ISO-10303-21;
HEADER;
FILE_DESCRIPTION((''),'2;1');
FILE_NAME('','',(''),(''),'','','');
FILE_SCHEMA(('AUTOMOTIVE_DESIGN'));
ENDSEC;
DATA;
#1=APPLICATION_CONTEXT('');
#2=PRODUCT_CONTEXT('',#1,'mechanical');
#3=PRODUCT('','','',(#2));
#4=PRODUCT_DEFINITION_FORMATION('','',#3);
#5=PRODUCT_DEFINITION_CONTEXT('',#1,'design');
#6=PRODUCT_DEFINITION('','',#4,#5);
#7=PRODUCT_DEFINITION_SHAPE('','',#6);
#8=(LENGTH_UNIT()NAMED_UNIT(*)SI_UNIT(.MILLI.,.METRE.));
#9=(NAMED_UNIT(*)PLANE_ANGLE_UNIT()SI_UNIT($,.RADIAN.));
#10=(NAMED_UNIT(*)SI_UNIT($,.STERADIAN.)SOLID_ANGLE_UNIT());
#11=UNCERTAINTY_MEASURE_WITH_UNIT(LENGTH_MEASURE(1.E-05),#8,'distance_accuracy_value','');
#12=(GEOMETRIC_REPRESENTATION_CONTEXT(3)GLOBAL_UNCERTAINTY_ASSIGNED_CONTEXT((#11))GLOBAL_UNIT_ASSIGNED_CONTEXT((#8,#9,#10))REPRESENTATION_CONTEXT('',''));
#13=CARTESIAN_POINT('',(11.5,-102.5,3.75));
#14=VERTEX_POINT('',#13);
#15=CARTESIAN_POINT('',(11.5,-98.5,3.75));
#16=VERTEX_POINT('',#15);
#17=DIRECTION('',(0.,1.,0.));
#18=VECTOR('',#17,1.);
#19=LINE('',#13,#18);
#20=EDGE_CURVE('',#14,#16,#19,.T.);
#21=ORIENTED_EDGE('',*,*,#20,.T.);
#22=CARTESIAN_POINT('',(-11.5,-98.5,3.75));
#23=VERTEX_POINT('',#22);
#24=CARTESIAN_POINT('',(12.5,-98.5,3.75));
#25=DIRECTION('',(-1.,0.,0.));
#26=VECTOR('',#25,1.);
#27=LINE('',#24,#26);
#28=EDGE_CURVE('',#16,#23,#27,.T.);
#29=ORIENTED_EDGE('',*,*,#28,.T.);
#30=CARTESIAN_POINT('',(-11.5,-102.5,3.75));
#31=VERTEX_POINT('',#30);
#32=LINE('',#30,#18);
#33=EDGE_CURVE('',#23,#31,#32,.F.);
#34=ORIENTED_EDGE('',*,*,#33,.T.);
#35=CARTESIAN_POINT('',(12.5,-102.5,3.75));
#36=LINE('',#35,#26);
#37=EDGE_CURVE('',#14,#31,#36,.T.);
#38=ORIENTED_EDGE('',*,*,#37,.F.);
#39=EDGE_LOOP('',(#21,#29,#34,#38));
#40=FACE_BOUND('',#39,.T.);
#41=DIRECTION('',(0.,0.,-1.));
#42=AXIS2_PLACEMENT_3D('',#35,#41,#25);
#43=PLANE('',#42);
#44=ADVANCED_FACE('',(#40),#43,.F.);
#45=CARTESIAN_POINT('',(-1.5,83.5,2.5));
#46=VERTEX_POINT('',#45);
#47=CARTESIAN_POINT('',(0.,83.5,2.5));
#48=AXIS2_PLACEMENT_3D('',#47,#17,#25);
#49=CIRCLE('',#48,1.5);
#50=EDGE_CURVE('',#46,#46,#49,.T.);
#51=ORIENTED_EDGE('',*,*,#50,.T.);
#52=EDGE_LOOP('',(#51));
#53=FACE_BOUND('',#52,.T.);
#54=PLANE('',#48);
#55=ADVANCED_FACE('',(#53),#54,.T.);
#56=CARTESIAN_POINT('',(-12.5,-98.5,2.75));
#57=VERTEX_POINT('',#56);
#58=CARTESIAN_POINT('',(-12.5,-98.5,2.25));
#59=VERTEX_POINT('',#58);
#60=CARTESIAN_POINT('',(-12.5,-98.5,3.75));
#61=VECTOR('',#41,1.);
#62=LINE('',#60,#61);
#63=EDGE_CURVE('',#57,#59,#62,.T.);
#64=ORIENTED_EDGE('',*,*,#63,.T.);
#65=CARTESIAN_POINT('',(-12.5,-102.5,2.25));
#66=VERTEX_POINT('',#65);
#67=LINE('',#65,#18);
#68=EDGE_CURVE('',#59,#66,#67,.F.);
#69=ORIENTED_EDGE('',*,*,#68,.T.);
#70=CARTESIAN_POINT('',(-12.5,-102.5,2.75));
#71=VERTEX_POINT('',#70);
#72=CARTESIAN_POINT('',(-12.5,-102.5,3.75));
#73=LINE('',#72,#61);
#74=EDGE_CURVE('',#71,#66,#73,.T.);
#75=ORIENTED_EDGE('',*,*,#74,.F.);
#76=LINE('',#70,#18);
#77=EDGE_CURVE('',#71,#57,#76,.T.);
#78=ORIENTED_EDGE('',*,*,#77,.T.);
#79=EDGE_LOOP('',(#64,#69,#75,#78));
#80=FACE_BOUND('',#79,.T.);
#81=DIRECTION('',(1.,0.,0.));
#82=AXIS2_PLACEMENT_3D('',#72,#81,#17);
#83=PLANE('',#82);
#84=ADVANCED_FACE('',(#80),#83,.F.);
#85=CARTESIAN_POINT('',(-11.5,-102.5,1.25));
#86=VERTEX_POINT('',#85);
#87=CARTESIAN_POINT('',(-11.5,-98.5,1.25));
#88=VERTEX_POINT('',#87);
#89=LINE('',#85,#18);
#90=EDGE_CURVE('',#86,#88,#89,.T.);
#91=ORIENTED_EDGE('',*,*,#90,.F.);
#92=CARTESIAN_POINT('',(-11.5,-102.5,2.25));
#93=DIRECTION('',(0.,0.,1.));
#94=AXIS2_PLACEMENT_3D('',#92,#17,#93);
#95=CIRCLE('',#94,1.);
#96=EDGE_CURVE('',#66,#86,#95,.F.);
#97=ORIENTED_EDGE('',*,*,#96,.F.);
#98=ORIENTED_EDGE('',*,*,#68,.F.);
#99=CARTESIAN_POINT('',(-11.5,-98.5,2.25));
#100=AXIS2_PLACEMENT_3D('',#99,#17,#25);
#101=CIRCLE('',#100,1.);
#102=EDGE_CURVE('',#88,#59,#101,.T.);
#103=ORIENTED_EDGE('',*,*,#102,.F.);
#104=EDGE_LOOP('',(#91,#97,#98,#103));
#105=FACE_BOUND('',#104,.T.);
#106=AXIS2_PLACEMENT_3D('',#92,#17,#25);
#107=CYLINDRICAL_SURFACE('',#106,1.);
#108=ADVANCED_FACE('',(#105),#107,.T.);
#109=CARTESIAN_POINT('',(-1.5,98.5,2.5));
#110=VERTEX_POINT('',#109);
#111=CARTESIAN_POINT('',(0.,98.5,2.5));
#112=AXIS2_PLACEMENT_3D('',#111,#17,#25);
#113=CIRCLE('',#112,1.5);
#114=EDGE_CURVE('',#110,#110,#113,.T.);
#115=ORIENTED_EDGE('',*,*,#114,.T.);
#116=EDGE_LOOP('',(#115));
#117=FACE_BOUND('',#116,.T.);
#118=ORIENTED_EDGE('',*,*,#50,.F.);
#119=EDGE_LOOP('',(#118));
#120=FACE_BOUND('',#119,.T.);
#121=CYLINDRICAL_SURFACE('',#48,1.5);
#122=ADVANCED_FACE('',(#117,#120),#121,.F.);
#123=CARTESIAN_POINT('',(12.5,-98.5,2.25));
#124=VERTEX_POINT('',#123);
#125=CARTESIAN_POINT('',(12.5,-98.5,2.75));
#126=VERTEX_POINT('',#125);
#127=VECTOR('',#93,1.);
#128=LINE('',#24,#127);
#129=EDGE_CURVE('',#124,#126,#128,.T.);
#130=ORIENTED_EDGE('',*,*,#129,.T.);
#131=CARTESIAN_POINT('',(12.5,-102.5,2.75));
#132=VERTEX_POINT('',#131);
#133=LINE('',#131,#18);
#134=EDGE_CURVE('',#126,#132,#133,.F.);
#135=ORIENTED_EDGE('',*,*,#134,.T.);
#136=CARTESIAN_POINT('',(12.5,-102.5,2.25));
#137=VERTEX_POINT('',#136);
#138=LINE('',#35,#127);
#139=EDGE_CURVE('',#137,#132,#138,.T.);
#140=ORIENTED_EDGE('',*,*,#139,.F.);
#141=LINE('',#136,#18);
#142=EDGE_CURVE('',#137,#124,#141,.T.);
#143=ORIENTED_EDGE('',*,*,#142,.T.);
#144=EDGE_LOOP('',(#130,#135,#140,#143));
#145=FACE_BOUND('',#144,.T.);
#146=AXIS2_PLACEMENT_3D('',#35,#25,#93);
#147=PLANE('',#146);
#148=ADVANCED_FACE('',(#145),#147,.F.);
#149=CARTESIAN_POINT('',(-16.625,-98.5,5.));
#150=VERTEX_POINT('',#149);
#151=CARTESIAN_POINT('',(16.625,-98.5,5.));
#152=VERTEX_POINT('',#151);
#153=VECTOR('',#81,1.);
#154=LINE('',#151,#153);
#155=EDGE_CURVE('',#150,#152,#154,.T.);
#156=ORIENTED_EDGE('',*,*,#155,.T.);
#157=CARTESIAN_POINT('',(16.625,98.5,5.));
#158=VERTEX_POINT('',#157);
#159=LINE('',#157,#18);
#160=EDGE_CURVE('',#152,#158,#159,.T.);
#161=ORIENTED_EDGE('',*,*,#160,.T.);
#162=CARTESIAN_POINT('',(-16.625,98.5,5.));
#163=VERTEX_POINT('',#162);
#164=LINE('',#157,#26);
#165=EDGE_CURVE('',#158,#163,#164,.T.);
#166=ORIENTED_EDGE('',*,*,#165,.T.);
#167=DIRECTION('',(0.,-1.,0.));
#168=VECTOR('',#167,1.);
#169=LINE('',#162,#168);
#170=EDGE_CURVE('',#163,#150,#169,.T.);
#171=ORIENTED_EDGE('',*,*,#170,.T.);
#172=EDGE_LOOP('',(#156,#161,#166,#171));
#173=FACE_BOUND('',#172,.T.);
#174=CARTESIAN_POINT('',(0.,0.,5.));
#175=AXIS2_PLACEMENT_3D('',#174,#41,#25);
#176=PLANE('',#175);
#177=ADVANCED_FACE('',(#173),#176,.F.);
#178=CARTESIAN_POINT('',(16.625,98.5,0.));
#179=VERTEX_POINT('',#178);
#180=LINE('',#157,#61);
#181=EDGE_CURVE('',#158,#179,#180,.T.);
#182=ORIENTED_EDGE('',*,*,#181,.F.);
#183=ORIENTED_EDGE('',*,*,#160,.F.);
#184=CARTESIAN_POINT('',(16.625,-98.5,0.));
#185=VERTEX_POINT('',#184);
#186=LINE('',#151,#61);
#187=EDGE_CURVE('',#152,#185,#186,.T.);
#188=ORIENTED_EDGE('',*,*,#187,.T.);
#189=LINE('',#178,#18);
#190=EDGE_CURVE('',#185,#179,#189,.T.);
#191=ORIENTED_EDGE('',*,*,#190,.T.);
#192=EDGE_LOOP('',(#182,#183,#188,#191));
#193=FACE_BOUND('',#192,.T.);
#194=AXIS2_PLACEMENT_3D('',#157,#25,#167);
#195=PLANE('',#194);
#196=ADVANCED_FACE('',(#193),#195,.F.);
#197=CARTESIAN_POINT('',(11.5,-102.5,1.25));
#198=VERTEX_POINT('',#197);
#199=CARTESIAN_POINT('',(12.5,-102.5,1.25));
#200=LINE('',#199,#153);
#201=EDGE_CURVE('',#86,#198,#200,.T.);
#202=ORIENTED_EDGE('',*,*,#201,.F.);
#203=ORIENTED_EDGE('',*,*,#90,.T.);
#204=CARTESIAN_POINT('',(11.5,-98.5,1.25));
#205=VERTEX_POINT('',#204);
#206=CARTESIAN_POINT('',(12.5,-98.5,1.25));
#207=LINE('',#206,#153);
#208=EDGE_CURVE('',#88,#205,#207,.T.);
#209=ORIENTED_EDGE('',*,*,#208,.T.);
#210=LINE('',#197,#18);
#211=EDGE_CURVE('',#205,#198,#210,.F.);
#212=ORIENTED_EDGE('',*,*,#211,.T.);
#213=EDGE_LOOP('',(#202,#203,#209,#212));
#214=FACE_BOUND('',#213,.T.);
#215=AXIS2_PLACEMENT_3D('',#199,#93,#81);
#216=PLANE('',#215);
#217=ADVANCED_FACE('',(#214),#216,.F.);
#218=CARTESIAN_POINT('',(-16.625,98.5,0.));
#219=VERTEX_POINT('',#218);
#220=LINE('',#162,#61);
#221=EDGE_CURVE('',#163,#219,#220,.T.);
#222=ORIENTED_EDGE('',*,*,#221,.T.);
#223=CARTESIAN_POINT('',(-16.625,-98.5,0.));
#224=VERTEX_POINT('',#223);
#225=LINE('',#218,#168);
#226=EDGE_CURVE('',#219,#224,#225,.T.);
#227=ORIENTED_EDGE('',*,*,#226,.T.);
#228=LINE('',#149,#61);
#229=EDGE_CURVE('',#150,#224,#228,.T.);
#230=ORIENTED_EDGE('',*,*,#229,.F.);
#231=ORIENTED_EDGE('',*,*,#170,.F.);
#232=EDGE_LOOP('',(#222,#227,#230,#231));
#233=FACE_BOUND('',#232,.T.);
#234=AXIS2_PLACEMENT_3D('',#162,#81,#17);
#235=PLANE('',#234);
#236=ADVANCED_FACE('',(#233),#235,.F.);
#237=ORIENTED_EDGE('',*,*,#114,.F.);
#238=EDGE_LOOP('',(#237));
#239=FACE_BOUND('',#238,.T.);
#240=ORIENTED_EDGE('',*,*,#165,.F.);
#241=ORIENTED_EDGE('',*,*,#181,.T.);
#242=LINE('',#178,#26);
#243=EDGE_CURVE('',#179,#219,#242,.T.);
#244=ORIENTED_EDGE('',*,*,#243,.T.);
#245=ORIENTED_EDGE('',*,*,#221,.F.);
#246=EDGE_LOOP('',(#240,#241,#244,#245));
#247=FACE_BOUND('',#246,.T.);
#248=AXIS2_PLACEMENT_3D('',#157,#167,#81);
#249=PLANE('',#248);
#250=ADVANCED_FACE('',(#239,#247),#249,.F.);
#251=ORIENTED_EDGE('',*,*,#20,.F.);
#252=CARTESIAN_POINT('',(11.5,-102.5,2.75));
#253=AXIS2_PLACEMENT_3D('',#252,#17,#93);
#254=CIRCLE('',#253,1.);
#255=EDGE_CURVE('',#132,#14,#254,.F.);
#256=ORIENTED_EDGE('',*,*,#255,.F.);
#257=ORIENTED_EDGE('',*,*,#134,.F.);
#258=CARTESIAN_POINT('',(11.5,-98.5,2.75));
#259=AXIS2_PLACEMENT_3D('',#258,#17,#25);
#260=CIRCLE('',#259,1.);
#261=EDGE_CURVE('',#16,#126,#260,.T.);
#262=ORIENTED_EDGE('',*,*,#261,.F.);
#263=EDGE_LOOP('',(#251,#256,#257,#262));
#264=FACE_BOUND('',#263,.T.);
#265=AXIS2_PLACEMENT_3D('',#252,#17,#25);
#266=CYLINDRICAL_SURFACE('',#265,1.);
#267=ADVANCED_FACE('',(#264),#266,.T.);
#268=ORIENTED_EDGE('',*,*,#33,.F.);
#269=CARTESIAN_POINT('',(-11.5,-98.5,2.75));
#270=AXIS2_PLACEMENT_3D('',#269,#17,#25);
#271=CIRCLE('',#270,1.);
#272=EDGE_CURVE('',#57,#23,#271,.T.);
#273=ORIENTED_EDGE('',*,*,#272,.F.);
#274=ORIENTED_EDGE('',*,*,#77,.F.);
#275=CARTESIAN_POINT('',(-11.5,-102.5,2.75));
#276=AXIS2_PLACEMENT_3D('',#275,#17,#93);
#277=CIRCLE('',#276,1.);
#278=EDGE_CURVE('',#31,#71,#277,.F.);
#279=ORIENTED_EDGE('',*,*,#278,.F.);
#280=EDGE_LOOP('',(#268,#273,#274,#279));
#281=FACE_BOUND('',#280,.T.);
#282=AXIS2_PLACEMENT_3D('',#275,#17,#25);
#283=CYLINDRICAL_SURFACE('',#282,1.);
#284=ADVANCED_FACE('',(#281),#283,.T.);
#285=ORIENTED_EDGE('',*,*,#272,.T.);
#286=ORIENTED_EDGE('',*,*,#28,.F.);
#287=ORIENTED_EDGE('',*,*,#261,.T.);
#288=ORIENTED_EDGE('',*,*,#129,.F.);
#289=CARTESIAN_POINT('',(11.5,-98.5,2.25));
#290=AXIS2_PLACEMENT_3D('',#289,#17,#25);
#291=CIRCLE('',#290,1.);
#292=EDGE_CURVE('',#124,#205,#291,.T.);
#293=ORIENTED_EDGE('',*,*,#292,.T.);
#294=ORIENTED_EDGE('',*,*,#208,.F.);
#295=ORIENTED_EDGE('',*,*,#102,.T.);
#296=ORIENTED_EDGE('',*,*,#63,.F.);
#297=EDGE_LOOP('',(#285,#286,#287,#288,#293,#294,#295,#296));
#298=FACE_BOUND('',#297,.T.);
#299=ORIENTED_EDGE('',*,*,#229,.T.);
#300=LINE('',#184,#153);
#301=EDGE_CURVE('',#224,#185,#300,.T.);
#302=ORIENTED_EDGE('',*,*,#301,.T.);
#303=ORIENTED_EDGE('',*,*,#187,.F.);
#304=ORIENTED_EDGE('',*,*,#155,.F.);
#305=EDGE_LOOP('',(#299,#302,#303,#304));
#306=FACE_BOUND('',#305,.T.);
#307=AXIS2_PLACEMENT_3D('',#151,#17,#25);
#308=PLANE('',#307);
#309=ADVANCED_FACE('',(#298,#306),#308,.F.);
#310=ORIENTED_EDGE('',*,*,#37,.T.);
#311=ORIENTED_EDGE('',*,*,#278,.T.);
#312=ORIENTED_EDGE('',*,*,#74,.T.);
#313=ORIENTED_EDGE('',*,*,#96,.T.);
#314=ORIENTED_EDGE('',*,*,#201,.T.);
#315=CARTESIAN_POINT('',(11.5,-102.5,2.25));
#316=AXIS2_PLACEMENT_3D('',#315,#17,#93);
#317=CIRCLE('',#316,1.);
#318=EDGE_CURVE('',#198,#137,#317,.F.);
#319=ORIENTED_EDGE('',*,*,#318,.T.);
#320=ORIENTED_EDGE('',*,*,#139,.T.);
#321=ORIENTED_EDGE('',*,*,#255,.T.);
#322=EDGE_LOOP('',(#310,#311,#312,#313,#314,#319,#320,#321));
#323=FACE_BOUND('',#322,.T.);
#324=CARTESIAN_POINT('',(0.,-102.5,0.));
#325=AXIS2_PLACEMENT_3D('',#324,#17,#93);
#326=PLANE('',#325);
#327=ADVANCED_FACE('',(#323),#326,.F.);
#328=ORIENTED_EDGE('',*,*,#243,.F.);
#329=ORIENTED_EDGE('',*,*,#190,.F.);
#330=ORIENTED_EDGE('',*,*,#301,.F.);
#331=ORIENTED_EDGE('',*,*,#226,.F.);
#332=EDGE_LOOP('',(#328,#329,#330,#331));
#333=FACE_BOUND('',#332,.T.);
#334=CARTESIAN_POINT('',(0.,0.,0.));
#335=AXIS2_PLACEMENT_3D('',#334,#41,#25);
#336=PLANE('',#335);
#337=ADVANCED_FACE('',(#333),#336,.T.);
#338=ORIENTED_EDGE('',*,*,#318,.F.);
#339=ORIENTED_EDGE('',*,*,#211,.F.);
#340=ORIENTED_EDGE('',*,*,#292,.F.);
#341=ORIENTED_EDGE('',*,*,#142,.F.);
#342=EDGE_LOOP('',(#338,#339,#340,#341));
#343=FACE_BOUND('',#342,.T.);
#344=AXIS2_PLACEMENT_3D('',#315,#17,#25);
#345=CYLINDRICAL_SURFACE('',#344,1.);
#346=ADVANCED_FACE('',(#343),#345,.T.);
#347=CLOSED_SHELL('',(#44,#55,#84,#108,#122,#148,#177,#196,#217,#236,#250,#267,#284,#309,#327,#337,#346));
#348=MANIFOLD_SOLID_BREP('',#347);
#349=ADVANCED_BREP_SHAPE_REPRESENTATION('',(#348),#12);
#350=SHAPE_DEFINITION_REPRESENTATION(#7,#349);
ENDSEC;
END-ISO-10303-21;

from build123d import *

# Parameters (mm, degrees)
CROQUIS1_W              = 33.25
CROQUIS1_H              = 197
SALIENTE_EXTRUIR1_DEPTH = 5
CROQUIS2_R              = 1.5
CORTAR_EXTRUIR1_DEPTH   = 15
CROQUIS3_W              = 25
CROQUIS3_H              = 2.5
SALIENTE_EXTRUIR2_DEPTH = 4
REDONDEO2_R             = 1


with BuildPart() as part:
    # Croquis1 → Saliente-Extruir1 (new body)
    with BuildSketch(Plane.XY):
        Rectangle(CROQUIS1_W, CROQUIS1_H)
    extrude(amount=SALIENTE_EXTRUIR1_DEPTH)

    # Croquis2 → Cortar-Extruir1 (cut)
    with BuildSketch(Plane(origin=(0, 98.5, 0), x_dir=(1, 0, 0), z_dir=(0, 1, 0))):
        with Locations(Location((0, -2.5, 0), (0, 0, 180))):
            Circle(CROQUIS2_R)
    extrude(amount=-CORTAR_EXTRUIR1_DEPTH, mode=Mode.SUBTRACT)

    # Croquis3 → Saliente-Extruir2 (add)
    with BuildSketch(Plane.XZ.offset(98.5)):
        with Locations((0, 2.5)):
            Rectangle(CROQUIS3_W, CROQUIS3_H)
    extrude(amount=SALIENTE_EXTRUIR2_DEPTH)

    # Redondeo2
    redondeo2_edges = [part.edges().sort_by_distance(p)[0] for p in [
        (-12.5, -100.5, 3.75),
        (-12.5, -100.5, 1.25),
        (12.5, -100.5, 1.25),
        (12.5, -100.5, 3.75),
    ]]
    fillet(redondeo2_edges, radius=REDONDEO2_R)


solid = part.part
